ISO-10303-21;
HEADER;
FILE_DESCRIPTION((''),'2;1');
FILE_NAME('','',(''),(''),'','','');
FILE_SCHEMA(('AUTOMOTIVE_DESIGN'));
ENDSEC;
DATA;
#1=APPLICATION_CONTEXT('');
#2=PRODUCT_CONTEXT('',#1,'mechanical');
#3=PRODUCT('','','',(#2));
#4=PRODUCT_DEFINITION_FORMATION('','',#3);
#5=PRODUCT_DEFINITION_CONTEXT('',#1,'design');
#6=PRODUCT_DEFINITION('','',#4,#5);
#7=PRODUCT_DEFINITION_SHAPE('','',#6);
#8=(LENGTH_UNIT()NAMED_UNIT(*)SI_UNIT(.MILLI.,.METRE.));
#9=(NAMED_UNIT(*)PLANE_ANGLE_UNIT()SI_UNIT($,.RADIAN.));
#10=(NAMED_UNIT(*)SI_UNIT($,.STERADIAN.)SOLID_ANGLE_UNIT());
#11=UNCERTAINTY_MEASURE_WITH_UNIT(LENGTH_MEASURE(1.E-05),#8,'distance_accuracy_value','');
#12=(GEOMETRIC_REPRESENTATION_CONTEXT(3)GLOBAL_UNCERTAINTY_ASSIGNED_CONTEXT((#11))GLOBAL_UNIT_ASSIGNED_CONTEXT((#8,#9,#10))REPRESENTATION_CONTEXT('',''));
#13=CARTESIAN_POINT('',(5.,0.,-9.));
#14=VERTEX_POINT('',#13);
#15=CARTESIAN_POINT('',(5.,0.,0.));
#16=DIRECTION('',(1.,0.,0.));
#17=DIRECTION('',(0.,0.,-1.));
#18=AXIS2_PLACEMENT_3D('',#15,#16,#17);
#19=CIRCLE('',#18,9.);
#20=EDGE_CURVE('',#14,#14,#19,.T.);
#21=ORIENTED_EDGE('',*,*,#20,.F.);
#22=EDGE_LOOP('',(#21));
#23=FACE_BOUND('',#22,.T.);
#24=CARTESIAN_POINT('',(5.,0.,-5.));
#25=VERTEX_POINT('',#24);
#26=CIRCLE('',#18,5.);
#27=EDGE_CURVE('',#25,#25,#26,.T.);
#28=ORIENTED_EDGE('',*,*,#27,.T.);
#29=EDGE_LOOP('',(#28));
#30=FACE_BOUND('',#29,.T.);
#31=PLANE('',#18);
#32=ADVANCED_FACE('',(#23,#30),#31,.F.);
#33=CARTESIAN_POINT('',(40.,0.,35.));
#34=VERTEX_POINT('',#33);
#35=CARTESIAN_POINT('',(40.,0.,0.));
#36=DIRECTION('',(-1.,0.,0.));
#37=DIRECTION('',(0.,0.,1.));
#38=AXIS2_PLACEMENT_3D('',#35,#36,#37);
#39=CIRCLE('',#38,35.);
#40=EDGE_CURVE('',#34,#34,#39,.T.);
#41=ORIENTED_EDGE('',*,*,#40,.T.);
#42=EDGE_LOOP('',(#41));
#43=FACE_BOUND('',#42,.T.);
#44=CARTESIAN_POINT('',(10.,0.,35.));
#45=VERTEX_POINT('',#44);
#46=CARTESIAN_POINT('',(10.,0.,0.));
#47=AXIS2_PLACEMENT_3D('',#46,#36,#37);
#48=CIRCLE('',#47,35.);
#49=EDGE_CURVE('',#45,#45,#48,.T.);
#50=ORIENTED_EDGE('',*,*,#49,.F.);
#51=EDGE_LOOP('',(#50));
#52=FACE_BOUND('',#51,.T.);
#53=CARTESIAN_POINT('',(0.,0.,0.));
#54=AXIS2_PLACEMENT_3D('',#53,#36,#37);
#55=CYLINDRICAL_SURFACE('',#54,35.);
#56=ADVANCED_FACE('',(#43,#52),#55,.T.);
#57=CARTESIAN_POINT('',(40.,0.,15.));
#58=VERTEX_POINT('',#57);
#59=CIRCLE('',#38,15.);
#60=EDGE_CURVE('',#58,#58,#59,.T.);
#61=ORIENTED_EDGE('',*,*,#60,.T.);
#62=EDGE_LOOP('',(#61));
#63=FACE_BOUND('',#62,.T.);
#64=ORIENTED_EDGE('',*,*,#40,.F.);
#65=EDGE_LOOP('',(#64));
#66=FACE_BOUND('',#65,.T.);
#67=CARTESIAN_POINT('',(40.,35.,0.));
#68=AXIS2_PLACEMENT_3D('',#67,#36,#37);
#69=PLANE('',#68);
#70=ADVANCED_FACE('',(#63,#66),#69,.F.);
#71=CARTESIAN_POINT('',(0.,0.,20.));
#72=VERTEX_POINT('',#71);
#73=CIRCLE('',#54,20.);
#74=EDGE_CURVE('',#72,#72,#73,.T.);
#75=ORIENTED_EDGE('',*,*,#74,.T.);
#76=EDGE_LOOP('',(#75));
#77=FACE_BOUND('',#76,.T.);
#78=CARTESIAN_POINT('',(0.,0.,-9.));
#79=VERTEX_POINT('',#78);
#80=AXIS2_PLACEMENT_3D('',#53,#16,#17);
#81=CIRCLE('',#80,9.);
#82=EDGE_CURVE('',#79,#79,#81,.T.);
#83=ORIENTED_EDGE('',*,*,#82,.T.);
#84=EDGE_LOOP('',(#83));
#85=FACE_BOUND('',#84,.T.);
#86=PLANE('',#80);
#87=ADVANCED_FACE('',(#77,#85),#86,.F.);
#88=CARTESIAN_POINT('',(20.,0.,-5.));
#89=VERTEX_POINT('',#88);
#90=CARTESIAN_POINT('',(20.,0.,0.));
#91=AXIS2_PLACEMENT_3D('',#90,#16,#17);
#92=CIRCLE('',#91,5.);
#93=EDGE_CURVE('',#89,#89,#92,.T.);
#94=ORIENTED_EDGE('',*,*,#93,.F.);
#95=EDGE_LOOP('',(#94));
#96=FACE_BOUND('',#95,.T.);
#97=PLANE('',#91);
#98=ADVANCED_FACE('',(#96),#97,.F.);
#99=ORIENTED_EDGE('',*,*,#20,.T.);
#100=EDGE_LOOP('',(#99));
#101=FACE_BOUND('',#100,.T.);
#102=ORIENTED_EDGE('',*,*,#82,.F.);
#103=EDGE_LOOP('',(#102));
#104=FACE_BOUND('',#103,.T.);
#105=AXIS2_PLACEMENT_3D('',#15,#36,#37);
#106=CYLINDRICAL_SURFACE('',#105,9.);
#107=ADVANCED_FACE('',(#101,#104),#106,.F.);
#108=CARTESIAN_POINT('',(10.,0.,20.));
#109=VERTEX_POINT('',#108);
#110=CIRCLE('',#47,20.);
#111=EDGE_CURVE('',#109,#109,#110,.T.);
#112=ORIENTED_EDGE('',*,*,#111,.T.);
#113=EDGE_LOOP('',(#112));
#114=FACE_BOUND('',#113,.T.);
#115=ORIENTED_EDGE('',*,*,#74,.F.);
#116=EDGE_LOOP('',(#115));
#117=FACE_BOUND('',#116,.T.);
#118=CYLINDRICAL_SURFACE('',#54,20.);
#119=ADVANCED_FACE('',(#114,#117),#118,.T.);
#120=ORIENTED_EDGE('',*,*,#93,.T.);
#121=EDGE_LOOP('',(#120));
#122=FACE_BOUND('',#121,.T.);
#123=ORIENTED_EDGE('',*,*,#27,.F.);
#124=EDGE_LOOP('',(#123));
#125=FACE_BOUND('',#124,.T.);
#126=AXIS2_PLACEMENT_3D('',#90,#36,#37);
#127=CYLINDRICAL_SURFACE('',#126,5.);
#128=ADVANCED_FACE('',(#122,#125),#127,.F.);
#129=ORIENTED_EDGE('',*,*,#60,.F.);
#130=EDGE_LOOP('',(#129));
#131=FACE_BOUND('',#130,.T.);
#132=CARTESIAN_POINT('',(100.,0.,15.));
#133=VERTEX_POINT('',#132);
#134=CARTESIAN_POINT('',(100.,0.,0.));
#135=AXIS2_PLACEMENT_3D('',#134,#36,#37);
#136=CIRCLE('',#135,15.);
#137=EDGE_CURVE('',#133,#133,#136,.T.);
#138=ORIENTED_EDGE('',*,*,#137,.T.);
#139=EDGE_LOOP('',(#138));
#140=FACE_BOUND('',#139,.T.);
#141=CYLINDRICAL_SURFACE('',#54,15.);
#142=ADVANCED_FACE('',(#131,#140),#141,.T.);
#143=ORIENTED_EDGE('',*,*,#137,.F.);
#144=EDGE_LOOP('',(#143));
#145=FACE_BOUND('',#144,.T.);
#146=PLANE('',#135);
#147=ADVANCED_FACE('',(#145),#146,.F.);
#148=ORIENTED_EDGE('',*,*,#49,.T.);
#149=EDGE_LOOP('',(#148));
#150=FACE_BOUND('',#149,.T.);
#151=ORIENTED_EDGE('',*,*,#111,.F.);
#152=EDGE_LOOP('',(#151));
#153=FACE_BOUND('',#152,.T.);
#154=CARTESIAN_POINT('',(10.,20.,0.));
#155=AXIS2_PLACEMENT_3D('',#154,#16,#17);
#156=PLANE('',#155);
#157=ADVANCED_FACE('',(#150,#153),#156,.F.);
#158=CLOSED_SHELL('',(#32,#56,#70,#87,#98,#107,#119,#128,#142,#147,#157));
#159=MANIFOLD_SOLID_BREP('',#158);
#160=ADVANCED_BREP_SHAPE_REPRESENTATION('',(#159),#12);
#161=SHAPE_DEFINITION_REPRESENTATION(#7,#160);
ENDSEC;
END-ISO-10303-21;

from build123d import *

# Parameters (mm, degrees)
SKETCH_2_R          = 5
CUT_EXTRUDE_1_DEPTH = 20
SKETCH_3_R          = 9
CUT_EXTRUDE_2_DEPTH = 5


with BuildPart() as part:
    # Эскиз1 → Повернуть1 (revolve)
    with BuildSketch(Plane.XY, mode=Mode.PRIVATE) as revolve_1_sk:
        Polygon((0, 0), (100, 0), (100, 15), (40, 15), (40, 35), (10, 35), (10, 20), (0, 20), align=None)
    revolve(revolve_1_sk.sketch.rotate(Axis((0, 0, 0), (1, 0, 0)), 90), axis=Axis((0, 0, 0), (1, 0, 0)))

    # Эскиз2 → Вырез-Вытянуть1 (cut)
    with BuildSketch(Plane(origin=(0, 0, 0), x_dir=(0, 0, -1), z_dir=(1, 0, 0))):
        Circle(SKETCH_2_R)
    extrude(amount=CUT_EXTRUDE_1_DEPTH, mode=Mode.SUBTRACT)

    # Эскиз3 → Вырез-Вытянуть2 (cut)
    with BuildSketch(Plane(origin=(0, 0, 0), x_dir=(0, 0, -1), z_dir=(1, 0, 0))):
        Circle(SKETCH_3_R)
    extrude(amount=CUT_EXTRUDE_2_DEPTH, mode=Mode.SUBTRACT)


solid = part.part
